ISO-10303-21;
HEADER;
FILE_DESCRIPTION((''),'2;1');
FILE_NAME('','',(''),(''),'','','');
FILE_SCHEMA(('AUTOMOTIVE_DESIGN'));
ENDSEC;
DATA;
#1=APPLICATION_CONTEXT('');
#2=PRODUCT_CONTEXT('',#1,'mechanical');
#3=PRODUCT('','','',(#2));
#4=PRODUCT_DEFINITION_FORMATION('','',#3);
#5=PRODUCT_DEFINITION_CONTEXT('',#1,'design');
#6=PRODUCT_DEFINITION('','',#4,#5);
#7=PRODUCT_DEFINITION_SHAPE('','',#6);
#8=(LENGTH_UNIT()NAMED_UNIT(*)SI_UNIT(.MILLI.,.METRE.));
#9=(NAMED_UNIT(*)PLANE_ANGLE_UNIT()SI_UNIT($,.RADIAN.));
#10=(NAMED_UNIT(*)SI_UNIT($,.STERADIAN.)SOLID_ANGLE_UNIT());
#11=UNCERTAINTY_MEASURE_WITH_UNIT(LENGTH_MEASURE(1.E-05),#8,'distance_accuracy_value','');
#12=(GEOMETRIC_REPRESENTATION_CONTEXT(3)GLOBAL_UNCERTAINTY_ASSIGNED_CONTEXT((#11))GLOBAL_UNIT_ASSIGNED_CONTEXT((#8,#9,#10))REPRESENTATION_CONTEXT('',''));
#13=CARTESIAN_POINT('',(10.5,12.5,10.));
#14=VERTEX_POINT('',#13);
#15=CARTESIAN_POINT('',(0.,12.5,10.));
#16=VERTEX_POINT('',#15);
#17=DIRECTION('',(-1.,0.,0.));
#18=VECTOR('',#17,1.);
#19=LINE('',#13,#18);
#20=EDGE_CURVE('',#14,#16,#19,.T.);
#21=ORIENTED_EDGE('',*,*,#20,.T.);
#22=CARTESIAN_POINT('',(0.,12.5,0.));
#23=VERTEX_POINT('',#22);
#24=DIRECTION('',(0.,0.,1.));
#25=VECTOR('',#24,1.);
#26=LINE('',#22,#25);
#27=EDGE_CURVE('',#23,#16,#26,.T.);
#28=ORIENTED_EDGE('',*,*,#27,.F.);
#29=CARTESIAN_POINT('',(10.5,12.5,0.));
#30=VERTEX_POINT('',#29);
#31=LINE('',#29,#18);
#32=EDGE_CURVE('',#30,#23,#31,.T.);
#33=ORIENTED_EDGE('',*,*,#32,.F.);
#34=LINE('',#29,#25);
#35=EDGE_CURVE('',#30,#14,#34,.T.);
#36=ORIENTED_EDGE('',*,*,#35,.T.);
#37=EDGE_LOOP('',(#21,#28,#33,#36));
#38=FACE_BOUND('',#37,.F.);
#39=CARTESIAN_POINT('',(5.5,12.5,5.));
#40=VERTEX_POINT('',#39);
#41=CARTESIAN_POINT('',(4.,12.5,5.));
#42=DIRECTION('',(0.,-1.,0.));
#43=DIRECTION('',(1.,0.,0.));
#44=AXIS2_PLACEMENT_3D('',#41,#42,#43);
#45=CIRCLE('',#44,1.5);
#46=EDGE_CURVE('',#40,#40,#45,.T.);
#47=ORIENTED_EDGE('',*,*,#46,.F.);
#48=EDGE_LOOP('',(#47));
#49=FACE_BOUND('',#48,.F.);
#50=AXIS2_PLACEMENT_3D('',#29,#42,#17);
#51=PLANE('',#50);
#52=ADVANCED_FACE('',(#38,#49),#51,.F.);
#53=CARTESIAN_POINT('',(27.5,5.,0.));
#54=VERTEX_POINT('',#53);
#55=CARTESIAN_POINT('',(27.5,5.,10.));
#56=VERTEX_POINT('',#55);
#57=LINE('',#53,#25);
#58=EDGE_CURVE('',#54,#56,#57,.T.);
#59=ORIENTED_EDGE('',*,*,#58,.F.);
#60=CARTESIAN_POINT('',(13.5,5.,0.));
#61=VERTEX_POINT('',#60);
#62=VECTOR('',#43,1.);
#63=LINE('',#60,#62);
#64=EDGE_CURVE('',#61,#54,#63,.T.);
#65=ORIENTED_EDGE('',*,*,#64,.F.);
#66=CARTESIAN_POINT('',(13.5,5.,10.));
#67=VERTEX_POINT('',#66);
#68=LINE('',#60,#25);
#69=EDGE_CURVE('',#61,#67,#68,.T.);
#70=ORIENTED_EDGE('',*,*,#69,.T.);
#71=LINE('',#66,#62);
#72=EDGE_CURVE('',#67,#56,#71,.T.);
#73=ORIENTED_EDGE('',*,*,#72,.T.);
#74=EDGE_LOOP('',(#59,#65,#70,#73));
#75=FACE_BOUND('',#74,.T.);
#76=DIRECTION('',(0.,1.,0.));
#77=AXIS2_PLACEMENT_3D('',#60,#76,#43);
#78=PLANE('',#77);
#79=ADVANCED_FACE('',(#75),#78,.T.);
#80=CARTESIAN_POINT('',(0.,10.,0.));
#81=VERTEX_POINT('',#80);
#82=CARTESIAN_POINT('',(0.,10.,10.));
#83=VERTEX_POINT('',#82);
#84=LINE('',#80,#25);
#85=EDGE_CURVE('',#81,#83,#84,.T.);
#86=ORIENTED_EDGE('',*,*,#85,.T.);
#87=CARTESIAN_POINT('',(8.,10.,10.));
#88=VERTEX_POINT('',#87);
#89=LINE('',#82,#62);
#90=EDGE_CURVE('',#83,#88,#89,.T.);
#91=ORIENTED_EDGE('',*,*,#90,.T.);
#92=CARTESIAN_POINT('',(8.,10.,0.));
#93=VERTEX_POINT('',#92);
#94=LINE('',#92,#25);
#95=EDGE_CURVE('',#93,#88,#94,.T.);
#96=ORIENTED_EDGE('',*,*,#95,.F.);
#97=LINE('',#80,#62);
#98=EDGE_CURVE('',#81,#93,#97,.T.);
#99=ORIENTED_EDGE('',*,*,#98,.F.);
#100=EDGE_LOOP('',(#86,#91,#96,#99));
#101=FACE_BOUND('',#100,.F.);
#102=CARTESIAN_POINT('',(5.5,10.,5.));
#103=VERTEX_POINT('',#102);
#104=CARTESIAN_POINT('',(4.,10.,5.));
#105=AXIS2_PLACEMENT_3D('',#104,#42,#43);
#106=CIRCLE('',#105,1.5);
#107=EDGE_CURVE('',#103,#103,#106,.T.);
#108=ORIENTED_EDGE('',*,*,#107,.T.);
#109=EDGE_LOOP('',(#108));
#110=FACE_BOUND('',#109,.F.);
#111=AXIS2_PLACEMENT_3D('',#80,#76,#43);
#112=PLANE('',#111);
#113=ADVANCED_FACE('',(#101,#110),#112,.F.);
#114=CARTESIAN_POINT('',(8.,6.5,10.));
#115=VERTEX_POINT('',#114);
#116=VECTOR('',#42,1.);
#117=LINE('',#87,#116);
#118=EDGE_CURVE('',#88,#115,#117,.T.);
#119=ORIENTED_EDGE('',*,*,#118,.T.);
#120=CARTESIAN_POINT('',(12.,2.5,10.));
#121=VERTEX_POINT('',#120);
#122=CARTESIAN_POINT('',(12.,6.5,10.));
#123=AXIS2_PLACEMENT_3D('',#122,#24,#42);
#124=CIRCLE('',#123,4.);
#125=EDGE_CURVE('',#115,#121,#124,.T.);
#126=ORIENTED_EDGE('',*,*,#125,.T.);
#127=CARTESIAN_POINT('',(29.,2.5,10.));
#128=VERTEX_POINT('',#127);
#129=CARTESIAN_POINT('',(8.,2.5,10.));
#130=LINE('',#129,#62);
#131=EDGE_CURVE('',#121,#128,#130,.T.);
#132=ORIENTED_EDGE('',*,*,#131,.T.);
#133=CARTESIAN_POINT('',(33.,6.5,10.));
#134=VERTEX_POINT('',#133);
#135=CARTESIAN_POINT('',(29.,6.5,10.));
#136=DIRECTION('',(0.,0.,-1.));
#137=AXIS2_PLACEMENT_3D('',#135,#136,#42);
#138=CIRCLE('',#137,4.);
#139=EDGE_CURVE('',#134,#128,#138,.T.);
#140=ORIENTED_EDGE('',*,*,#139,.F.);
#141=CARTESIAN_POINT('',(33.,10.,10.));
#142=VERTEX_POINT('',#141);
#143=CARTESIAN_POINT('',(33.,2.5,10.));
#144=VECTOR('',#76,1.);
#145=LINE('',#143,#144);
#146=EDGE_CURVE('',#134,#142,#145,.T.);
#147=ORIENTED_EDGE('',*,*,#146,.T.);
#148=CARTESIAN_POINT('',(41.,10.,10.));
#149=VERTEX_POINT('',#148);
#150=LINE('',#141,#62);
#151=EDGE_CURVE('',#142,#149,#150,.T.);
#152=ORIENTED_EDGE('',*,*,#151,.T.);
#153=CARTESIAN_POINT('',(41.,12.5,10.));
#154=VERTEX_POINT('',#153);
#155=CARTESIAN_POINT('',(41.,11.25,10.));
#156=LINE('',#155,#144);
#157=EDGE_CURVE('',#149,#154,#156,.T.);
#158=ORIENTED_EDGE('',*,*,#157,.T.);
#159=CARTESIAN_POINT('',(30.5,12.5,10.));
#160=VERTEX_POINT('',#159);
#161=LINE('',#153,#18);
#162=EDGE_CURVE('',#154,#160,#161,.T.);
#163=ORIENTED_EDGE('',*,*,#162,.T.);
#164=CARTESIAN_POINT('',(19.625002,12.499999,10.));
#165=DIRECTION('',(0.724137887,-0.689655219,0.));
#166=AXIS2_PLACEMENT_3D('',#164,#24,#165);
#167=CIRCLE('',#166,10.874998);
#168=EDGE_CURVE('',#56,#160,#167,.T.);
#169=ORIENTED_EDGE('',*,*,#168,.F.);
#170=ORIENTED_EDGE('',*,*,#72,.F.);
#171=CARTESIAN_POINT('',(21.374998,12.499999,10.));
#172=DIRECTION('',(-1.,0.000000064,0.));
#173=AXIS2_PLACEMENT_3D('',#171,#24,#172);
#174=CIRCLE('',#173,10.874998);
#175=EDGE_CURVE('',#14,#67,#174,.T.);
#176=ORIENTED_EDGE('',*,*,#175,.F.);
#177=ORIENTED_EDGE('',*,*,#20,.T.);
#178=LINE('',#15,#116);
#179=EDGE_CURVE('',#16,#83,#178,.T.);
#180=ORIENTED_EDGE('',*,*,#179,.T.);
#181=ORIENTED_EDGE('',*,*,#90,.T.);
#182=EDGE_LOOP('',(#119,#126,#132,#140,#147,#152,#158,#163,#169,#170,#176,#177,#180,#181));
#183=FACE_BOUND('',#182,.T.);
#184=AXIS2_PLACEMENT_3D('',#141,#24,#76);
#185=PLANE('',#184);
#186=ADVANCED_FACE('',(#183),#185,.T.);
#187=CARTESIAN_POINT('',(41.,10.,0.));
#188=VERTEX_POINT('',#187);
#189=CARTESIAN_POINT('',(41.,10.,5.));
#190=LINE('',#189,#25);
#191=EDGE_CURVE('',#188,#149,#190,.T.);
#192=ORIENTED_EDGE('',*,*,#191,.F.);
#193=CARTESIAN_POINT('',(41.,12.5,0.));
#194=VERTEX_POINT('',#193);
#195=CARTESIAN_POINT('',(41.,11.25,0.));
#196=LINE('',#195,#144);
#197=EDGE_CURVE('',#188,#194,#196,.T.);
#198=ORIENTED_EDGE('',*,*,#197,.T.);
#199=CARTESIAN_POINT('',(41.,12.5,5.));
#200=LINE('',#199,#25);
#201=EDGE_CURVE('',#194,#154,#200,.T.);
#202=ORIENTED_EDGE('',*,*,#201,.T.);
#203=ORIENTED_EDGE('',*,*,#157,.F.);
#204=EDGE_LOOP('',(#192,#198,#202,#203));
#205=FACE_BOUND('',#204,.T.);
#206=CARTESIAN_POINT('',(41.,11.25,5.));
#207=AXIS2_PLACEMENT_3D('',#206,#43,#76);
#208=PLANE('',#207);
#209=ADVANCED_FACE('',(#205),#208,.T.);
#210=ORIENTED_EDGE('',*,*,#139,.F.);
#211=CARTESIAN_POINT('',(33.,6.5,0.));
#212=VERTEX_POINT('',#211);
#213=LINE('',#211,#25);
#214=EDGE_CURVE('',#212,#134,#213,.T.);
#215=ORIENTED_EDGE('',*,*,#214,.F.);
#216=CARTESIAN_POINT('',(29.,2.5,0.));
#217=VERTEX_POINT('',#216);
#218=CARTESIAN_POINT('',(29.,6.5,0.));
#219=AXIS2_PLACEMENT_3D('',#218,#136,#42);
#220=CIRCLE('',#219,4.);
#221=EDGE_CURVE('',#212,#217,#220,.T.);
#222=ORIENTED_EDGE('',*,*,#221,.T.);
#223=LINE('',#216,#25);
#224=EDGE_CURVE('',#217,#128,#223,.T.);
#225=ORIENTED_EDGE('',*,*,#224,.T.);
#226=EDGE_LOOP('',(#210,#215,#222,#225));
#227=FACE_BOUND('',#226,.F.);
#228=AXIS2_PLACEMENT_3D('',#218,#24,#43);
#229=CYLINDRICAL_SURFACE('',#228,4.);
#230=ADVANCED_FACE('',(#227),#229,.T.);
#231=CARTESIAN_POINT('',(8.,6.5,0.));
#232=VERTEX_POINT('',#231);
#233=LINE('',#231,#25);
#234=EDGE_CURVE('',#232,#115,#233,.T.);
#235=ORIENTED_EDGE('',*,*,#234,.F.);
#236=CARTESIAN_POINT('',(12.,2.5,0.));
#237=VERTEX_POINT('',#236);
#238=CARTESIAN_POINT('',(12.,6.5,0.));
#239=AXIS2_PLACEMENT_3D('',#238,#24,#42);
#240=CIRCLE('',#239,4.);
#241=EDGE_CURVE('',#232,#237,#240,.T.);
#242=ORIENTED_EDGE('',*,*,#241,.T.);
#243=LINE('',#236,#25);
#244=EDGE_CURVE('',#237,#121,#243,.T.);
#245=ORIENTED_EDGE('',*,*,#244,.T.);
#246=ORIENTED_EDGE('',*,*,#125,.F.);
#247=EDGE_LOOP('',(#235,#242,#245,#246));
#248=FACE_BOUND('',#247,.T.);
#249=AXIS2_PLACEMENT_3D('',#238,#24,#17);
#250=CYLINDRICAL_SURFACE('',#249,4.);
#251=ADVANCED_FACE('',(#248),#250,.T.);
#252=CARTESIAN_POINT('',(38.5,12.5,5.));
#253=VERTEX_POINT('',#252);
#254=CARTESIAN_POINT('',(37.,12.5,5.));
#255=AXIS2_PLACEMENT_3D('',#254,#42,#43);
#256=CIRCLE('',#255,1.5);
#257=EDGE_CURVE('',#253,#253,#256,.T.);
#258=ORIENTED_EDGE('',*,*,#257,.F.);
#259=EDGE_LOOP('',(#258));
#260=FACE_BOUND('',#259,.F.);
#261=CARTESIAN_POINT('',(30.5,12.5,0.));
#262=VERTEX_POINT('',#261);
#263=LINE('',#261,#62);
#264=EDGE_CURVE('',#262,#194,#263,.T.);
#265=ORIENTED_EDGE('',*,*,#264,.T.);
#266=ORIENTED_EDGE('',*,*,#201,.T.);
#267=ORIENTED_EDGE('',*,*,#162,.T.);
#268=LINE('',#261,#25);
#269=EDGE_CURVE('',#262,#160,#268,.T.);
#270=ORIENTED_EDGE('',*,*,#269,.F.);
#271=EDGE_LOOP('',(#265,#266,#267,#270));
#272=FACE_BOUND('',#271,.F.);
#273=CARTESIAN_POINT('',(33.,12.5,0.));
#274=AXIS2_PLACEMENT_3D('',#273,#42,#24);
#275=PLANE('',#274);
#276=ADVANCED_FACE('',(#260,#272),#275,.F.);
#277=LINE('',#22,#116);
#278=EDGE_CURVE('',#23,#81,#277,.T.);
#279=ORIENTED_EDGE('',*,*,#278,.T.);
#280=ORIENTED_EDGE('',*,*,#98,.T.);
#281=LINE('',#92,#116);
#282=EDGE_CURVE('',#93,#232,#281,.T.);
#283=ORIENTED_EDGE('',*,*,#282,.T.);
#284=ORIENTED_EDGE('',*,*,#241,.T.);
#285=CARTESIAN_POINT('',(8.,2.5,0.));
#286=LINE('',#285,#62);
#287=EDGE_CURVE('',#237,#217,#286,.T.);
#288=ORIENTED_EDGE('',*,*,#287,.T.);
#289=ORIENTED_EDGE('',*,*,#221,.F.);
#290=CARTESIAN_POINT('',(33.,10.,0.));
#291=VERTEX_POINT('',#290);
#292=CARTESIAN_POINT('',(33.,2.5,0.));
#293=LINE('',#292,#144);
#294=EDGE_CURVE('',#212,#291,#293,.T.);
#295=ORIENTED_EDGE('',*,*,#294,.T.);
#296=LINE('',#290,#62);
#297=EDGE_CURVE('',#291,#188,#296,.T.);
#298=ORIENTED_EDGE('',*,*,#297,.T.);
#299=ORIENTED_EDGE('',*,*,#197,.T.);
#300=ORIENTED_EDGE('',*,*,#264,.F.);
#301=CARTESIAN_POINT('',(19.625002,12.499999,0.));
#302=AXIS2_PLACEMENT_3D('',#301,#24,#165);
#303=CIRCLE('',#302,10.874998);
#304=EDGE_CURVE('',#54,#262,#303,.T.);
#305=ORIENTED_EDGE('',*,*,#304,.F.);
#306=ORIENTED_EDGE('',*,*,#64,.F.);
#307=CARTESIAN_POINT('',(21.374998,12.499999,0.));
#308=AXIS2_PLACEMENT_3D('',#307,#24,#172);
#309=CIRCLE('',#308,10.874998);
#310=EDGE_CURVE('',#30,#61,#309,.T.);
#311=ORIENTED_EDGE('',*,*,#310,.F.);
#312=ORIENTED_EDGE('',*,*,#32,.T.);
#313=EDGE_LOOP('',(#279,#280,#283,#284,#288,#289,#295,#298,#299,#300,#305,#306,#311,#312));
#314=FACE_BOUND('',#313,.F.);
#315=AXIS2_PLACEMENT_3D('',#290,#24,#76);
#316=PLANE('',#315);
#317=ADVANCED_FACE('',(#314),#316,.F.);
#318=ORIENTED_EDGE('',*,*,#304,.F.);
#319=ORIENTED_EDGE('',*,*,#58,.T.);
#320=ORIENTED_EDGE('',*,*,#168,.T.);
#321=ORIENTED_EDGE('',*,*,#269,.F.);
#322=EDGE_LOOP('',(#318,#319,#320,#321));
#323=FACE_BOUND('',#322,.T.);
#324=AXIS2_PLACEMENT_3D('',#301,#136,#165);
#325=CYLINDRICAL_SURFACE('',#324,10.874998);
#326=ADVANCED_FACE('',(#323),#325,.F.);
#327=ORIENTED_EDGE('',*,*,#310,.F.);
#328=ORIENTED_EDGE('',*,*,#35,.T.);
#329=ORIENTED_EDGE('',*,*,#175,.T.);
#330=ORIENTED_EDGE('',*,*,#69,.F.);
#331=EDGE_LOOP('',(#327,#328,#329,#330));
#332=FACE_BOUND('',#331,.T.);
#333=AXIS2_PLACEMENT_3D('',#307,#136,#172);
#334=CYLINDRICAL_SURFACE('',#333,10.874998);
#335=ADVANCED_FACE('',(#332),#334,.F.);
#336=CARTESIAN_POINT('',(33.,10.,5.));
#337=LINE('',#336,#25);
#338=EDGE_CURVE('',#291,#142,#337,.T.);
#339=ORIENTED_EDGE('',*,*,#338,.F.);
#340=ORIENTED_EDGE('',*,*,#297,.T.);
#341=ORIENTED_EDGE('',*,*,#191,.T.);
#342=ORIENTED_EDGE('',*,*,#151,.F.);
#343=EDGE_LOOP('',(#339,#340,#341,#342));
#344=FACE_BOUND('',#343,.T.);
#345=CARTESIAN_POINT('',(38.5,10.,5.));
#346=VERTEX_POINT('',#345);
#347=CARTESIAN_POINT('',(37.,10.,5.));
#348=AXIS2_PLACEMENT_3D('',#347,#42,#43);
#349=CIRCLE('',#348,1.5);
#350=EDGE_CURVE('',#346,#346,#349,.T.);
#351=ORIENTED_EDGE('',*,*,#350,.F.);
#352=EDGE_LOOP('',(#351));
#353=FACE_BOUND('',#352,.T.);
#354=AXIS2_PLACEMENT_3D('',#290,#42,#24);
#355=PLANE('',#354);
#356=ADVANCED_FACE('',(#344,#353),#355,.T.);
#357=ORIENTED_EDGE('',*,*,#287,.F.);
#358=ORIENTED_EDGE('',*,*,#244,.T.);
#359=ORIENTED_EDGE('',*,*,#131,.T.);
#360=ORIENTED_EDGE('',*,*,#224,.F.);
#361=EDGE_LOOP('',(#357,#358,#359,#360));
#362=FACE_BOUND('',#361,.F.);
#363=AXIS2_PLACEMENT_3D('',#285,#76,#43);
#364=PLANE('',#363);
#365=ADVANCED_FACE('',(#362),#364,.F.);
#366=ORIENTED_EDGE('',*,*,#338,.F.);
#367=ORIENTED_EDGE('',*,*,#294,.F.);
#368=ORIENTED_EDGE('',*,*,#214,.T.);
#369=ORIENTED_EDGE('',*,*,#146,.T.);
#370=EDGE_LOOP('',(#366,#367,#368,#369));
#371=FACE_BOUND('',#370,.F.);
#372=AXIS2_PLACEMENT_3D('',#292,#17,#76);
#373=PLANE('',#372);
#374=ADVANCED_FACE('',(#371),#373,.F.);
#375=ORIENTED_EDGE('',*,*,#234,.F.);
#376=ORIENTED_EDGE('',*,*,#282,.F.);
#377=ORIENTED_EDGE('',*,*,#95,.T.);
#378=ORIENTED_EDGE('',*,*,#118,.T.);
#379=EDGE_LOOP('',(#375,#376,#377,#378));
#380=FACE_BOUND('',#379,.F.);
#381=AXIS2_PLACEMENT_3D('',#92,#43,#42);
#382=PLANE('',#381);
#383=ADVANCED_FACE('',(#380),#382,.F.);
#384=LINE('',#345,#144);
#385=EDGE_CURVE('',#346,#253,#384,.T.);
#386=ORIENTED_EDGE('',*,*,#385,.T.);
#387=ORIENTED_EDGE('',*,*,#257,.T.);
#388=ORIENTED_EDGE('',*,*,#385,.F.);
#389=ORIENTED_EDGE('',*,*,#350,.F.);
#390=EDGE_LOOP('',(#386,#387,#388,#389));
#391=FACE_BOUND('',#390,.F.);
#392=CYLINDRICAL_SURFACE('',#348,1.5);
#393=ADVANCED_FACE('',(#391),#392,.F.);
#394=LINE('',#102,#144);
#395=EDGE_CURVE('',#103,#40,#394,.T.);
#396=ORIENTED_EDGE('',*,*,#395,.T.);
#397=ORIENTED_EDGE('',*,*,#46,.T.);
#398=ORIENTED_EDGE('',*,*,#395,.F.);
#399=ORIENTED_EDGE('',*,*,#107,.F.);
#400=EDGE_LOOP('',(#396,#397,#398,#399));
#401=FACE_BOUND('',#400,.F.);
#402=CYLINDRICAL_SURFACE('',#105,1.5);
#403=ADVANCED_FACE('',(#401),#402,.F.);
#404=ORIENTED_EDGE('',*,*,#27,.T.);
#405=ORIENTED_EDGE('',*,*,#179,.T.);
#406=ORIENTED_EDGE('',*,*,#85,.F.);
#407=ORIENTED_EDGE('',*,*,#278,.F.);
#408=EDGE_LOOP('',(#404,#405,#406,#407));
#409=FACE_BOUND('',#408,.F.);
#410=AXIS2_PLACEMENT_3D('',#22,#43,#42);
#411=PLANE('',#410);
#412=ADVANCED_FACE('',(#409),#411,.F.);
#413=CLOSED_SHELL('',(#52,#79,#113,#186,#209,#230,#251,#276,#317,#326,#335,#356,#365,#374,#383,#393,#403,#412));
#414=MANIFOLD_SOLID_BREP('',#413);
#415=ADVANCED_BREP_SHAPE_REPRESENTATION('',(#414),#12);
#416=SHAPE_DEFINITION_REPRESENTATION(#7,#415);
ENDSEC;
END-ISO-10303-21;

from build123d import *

# Parameters (mm, degrees)
PAD_DEPTH    = 10
SKETCH001_W  = 2.5
SKETCH001_H  = 10
PAD001_DEPTH = 8
SKETCH002_R  = 1.5
POCKET_DEPTH = 2.501
FILLET_R     = 4


with BuildPart() as part:
    # Sketch → Pad (new body)
    with BuildSketch(Plane.XY):
        with BuildLine():
            ThreePointArc((10.5, 12.5), (11.277816, 8.461126), (13.5, 5))
            Line((13.5, 5), (27.5, 5))
            ThreePointArc((27.5, 5), (29.722184, 8.461126), (30.5, 12.5))
            Line((33, 12.5), (30.5, 12.5))
            Line((33, 2.5), (33, 12.5))
            Line((8, 2.5), (33, 2.5))
            Line((8, 10), (8, 2.5))
            Line((0, 10), (8, 10))
            Line((0, 12.5), (0, 10))
            Line((8, 12.5), (0, 12.5))
            Line((10.5, 12.5), (8, 12.5))
        make_face()
    extrude(amount=PAD_DEPTH)

    # Sketch001 (on Face5 of Pad) → Pad001 (join)
    with BuildSketch(Plane.YZ.offset(33)):
        with Locations((11.25, 5)):
            Rectangle(SKETCH001_W, SKETCH001_H)
    extrude(amount=PAD001_DEPTH)

    # Sketch002 (on Face10 of Pad001) → Pocket (cut, through all)
    with BuildSketch(Plane.XZ.offset(-10)):
        with Locations((4, 5)):
            Circle(SKETCH002_R)
        with Locations((37, 5)):
            Circle(SKETCH002_R)
    extrude(amount=-POCKET_DEPTH, mode=Mode.SUBTRACT)

    # Fillet
    fillet_edges = [part.edges().sort_by_distance(p)[0] for p in [
        (8, 2.5, 5),
        (33, 2.5, 5),
    ]]
    fillet(fillet_edges, radius=FILLET_R)


solid = part.part
